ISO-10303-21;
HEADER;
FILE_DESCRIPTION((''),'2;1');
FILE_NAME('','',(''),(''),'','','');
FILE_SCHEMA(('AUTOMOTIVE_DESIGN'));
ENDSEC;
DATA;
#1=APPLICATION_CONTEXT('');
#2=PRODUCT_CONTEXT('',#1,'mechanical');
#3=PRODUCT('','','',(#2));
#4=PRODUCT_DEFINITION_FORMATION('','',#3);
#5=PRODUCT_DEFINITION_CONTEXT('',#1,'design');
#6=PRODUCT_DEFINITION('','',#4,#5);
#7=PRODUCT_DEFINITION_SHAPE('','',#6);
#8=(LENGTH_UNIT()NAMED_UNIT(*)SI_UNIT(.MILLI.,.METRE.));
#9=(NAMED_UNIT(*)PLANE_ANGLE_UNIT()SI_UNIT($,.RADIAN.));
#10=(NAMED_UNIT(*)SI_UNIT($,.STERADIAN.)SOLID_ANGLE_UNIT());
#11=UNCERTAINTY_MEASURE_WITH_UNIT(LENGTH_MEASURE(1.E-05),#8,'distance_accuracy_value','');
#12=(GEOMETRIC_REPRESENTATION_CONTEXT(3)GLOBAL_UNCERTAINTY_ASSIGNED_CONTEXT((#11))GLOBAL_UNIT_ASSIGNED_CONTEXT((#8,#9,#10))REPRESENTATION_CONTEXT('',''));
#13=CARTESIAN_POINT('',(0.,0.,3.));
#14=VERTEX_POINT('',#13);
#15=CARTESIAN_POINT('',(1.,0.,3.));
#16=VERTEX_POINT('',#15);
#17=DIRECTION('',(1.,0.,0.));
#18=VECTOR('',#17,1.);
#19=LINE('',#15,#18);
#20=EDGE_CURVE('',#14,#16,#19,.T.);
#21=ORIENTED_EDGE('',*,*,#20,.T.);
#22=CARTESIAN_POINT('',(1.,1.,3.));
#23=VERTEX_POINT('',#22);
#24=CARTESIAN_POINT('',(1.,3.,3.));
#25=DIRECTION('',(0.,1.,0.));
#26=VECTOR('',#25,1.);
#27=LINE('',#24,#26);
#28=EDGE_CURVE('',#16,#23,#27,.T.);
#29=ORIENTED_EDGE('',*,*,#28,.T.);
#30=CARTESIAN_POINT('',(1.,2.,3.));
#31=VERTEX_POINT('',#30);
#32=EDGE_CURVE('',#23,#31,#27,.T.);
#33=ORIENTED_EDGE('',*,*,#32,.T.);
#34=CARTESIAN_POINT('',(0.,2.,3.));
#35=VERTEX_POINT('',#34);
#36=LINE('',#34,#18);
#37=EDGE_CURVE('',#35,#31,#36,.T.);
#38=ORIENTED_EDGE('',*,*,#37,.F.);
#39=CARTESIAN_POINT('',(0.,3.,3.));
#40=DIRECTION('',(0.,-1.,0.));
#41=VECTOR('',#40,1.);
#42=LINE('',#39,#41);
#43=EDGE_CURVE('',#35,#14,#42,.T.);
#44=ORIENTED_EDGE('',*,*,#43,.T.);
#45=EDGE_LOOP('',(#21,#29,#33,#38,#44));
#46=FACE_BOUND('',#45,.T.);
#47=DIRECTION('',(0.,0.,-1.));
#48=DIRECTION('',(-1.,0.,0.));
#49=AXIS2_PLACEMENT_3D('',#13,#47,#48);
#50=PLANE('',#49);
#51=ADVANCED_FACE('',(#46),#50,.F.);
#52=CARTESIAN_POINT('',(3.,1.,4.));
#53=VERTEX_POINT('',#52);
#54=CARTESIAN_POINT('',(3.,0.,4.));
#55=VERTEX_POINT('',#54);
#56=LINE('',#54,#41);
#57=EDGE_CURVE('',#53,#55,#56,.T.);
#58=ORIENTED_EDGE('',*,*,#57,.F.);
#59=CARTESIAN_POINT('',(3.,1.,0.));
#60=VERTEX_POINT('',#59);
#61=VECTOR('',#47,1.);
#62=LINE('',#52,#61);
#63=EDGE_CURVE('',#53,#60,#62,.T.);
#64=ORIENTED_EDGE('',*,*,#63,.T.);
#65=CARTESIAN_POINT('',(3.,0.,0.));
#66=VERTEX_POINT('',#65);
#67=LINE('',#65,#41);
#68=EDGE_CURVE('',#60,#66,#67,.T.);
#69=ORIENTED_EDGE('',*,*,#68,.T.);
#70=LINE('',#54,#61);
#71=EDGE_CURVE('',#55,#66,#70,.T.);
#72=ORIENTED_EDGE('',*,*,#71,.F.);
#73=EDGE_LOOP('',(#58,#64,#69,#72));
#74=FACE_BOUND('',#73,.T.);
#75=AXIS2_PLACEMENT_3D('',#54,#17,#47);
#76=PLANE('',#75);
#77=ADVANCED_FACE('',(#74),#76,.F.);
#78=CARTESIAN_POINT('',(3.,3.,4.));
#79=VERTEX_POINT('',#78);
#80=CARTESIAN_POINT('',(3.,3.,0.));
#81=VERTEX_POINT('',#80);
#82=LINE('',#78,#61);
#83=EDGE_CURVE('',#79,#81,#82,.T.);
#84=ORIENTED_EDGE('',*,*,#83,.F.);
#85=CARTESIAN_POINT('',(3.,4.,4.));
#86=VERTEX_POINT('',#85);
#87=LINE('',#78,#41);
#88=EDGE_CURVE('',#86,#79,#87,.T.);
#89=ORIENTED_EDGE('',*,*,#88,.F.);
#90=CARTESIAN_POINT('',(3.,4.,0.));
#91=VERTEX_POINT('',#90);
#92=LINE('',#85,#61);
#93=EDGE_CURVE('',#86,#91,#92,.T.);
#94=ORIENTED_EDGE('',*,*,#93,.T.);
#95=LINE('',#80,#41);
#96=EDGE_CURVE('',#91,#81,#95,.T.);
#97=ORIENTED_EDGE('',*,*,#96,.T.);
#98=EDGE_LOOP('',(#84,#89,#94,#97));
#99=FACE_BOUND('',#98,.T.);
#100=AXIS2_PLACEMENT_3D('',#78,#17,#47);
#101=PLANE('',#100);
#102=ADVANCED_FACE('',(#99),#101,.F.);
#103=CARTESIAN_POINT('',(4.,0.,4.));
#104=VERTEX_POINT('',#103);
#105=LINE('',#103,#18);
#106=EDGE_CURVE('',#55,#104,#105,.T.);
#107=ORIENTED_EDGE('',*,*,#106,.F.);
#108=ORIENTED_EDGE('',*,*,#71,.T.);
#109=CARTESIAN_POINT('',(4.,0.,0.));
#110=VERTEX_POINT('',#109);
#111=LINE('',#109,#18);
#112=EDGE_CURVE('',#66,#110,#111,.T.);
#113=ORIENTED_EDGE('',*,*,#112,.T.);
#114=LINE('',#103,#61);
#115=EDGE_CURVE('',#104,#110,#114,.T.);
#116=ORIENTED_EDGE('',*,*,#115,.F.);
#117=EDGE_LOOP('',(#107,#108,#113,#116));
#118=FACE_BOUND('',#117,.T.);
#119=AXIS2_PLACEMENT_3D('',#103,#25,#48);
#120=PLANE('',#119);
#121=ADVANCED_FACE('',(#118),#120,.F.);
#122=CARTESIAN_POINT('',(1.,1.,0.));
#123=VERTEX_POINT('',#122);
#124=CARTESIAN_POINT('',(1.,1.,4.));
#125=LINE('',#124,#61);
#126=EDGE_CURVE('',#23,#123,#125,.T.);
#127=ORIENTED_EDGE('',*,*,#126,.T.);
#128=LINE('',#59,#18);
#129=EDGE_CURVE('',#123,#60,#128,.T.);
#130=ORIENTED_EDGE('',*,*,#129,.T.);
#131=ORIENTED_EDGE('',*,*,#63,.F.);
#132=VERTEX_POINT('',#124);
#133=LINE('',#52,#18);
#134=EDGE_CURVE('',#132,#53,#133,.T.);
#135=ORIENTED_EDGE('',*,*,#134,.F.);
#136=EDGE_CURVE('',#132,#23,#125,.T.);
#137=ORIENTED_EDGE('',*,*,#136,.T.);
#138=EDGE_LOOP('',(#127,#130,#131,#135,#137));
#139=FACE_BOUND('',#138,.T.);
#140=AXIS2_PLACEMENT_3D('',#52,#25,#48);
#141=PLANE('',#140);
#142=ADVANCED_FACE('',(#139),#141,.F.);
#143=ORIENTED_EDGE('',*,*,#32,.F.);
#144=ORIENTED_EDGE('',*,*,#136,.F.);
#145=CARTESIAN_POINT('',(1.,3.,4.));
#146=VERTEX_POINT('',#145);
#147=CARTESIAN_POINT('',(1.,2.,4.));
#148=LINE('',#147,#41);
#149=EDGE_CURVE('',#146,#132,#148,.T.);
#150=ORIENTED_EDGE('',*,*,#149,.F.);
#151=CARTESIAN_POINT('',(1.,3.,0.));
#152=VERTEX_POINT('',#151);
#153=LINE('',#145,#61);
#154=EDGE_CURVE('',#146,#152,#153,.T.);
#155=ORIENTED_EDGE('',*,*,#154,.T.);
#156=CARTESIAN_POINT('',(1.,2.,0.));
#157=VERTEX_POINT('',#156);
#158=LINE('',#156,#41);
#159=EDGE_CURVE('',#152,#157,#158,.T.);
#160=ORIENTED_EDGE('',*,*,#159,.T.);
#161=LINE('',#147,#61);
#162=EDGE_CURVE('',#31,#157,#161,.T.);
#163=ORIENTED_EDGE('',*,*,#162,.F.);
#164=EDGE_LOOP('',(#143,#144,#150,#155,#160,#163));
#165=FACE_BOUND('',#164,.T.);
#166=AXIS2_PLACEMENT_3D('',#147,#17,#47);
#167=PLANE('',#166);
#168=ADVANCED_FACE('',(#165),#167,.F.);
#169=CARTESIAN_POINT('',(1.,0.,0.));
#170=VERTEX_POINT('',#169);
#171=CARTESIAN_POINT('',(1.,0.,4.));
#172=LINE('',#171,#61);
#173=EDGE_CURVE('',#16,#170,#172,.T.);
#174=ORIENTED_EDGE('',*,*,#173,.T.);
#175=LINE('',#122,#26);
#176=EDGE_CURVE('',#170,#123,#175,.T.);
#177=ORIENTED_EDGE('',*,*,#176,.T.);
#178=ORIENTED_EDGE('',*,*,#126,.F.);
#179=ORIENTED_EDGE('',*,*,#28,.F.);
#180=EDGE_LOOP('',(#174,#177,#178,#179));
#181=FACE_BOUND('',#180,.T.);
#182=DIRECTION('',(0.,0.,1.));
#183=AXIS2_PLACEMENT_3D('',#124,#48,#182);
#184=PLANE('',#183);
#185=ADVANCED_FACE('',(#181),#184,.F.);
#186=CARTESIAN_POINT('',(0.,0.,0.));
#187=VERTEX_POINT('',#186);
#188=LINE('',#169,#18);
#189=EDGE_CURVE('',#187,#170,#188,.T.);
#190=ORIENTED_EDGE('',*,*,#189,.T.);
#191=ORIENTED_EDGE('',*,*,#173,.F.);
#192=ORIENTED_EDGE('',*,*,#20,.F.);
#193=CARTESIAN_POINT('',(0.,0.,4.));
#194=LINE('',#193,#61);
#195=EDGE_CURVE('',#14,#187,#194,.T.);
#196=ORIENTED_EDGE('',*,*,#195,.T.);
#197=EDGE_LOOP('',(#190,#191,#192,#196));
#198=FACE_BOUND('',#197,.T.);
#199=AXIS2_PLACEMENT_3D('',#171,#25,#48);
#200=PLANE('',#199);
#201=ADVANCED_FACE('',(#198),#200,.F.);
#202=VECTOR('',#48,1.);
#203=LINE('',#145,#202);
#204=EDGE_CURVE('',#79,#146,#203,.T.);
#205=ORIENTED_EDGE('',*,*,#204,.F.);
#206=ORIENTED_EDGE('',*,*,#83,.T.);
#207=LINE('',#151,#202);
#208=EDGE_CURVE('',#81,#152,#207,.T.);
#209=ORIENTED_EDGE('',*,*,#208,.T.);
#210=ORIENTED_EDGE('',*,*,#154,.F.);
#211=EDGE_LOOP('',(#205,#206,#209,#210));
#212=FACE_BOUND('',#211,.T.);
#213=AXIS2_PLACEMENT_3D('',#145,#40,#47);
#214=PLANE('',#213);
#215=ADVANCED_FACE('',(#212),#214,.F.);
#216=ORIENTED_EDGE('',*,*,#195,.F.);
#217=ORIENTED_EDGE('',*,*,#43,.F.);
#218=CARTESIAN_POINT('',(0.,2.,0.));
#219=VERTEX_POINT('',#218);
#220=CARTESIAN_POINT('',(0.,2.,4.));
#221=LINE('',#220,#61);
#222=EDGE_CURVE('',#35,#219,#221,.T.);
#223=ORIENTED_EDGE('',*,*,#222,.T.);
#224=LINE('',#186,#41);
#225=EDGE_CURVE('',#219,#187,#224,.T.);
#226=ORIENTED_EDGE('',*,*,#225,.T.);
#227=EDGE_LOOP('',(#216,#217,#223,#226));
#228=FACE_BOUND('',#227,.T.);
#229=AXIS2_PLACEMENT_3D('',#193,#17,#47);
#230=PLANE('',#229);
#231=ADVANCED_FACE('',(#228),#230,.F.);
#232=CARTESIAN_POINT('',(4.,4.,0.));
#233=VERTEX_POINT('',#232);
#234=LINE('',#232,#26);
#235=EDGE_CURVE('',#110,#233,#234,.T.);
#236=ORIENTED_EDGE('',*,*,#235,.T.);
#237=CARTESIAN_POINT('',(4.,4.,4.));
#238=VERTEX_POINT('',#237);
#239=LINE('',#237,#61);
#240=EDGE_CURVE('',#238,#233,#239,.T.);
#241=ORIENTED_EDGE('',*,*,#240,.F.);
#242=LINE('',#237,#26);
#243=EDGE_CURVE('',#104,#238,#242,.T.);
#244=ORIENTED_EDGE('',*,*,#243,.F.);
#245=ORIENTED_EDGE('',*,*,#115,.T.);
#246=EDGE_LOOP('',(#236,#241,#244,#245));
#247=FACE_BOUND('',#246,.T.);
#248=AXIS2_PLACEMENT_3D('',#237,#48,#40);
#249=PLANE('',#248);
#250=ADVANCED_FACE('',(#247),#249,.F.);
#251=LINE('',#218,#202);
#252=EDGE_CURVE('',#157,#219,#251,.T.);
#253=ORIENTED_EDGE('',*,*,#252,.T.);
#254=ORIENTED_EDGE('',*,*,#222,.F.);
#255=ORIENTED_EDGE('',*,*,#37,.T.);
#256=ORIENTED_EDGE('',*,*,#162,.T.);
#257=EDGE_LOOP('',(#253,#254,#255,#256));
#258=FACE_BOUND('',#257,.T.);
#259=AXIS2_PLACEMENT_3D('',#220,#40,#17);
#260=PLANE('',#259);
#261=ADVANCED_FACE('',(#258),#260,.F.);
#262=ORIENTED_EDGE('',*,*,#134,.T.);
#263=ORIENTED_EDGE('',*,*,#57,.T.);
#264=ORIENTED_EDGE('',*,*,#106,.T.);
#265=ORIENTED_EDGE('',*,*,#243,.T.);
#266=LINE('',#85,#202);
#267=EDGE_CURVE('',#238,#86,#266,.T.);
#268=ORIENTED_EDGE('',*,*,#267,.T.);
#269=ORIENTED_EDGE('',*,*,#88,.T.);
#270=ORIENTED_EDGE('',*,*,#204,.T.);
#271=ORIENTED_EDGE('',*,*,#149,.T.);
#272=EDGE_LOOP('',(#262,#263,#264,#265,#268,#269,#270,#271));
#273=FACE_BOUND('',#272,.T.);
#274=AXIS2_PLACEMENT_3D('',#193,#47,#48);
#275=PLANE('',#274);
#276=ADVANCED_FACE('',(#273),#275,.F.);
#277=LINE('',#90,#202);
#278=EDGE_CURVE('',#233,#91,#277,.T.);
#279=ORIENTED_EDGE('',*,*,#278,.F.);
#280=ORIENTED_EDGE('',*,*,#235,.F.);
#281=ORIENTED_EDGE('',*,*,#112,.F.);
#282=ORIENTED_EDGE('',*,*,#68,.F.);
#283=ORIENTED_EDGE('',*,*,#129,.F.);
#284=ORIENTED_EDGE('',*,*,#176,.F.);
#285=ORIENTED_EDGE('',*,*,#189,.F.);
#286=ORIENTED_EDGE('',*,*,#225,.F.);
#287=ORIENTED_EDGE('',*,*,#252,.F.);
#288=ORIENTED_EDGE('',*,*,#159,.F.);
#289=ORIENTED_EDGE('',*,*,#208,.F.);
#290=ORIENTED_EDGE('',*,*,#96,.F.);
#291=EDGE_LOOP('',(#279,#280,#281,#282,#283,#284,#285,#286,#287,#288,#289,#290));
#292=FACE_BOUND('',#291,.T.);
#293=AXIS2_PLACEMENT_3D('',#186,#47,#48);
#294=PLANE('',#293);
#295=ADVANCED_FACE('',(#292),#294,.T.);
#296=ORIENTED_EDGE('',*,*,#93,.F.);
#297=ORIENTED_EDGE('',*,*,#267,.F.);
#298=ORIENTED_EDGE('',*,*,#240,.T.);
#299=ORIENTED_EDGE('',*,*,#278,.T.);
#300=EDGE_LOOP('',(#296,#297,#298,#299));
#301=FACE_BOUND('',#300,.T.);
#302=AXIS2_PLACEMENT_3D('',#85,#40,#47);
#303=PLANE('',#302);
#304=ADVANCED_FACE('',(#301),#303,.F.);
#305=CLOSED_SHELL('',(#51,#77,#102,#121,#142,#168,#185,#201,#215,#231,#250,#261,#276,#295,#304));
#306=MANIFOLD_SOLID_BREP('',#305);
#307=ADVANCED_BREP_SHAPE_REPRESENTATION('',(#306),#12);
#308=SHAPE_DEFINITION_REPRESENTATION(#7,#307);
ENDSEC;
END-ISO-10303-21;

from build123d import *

# Parameters (mm, degrees)
BOSS_EXTRUDE1_DEPTH = 4
SKETCH2_W           = 1
SKETCH2_H           = 3
CUT_EXTRUDE1_DEPTH  = 1


with BuildPart() as part:
    # Sketch1 → Boss-Extrude1 (new body)
    with BuildSketch(Plane.XY):
        Polygon((0, 0), (0, 2), (1, 2), (1, 3), (3, 3), (3, 4), (4, 4), (4, 0), (3, 0), (3, 1), (1, 1), (1, 0), align=None)
    extrude(amount=BOSS_EXTRUDE1_DEPTH)

    # Sketch2 → Cut-Extrude1 (cut)
    with BuildSketch(Plane.XY.offset(4)):
        with Locations((0.5, 1.5)):
            Rectangle(SKETCH2_W, SKETCH2_H)
    extrude(amount=-CUT_EXTRUDE1_DEPTH, mode=Mode.SUBTRACT)


solid = part.part
